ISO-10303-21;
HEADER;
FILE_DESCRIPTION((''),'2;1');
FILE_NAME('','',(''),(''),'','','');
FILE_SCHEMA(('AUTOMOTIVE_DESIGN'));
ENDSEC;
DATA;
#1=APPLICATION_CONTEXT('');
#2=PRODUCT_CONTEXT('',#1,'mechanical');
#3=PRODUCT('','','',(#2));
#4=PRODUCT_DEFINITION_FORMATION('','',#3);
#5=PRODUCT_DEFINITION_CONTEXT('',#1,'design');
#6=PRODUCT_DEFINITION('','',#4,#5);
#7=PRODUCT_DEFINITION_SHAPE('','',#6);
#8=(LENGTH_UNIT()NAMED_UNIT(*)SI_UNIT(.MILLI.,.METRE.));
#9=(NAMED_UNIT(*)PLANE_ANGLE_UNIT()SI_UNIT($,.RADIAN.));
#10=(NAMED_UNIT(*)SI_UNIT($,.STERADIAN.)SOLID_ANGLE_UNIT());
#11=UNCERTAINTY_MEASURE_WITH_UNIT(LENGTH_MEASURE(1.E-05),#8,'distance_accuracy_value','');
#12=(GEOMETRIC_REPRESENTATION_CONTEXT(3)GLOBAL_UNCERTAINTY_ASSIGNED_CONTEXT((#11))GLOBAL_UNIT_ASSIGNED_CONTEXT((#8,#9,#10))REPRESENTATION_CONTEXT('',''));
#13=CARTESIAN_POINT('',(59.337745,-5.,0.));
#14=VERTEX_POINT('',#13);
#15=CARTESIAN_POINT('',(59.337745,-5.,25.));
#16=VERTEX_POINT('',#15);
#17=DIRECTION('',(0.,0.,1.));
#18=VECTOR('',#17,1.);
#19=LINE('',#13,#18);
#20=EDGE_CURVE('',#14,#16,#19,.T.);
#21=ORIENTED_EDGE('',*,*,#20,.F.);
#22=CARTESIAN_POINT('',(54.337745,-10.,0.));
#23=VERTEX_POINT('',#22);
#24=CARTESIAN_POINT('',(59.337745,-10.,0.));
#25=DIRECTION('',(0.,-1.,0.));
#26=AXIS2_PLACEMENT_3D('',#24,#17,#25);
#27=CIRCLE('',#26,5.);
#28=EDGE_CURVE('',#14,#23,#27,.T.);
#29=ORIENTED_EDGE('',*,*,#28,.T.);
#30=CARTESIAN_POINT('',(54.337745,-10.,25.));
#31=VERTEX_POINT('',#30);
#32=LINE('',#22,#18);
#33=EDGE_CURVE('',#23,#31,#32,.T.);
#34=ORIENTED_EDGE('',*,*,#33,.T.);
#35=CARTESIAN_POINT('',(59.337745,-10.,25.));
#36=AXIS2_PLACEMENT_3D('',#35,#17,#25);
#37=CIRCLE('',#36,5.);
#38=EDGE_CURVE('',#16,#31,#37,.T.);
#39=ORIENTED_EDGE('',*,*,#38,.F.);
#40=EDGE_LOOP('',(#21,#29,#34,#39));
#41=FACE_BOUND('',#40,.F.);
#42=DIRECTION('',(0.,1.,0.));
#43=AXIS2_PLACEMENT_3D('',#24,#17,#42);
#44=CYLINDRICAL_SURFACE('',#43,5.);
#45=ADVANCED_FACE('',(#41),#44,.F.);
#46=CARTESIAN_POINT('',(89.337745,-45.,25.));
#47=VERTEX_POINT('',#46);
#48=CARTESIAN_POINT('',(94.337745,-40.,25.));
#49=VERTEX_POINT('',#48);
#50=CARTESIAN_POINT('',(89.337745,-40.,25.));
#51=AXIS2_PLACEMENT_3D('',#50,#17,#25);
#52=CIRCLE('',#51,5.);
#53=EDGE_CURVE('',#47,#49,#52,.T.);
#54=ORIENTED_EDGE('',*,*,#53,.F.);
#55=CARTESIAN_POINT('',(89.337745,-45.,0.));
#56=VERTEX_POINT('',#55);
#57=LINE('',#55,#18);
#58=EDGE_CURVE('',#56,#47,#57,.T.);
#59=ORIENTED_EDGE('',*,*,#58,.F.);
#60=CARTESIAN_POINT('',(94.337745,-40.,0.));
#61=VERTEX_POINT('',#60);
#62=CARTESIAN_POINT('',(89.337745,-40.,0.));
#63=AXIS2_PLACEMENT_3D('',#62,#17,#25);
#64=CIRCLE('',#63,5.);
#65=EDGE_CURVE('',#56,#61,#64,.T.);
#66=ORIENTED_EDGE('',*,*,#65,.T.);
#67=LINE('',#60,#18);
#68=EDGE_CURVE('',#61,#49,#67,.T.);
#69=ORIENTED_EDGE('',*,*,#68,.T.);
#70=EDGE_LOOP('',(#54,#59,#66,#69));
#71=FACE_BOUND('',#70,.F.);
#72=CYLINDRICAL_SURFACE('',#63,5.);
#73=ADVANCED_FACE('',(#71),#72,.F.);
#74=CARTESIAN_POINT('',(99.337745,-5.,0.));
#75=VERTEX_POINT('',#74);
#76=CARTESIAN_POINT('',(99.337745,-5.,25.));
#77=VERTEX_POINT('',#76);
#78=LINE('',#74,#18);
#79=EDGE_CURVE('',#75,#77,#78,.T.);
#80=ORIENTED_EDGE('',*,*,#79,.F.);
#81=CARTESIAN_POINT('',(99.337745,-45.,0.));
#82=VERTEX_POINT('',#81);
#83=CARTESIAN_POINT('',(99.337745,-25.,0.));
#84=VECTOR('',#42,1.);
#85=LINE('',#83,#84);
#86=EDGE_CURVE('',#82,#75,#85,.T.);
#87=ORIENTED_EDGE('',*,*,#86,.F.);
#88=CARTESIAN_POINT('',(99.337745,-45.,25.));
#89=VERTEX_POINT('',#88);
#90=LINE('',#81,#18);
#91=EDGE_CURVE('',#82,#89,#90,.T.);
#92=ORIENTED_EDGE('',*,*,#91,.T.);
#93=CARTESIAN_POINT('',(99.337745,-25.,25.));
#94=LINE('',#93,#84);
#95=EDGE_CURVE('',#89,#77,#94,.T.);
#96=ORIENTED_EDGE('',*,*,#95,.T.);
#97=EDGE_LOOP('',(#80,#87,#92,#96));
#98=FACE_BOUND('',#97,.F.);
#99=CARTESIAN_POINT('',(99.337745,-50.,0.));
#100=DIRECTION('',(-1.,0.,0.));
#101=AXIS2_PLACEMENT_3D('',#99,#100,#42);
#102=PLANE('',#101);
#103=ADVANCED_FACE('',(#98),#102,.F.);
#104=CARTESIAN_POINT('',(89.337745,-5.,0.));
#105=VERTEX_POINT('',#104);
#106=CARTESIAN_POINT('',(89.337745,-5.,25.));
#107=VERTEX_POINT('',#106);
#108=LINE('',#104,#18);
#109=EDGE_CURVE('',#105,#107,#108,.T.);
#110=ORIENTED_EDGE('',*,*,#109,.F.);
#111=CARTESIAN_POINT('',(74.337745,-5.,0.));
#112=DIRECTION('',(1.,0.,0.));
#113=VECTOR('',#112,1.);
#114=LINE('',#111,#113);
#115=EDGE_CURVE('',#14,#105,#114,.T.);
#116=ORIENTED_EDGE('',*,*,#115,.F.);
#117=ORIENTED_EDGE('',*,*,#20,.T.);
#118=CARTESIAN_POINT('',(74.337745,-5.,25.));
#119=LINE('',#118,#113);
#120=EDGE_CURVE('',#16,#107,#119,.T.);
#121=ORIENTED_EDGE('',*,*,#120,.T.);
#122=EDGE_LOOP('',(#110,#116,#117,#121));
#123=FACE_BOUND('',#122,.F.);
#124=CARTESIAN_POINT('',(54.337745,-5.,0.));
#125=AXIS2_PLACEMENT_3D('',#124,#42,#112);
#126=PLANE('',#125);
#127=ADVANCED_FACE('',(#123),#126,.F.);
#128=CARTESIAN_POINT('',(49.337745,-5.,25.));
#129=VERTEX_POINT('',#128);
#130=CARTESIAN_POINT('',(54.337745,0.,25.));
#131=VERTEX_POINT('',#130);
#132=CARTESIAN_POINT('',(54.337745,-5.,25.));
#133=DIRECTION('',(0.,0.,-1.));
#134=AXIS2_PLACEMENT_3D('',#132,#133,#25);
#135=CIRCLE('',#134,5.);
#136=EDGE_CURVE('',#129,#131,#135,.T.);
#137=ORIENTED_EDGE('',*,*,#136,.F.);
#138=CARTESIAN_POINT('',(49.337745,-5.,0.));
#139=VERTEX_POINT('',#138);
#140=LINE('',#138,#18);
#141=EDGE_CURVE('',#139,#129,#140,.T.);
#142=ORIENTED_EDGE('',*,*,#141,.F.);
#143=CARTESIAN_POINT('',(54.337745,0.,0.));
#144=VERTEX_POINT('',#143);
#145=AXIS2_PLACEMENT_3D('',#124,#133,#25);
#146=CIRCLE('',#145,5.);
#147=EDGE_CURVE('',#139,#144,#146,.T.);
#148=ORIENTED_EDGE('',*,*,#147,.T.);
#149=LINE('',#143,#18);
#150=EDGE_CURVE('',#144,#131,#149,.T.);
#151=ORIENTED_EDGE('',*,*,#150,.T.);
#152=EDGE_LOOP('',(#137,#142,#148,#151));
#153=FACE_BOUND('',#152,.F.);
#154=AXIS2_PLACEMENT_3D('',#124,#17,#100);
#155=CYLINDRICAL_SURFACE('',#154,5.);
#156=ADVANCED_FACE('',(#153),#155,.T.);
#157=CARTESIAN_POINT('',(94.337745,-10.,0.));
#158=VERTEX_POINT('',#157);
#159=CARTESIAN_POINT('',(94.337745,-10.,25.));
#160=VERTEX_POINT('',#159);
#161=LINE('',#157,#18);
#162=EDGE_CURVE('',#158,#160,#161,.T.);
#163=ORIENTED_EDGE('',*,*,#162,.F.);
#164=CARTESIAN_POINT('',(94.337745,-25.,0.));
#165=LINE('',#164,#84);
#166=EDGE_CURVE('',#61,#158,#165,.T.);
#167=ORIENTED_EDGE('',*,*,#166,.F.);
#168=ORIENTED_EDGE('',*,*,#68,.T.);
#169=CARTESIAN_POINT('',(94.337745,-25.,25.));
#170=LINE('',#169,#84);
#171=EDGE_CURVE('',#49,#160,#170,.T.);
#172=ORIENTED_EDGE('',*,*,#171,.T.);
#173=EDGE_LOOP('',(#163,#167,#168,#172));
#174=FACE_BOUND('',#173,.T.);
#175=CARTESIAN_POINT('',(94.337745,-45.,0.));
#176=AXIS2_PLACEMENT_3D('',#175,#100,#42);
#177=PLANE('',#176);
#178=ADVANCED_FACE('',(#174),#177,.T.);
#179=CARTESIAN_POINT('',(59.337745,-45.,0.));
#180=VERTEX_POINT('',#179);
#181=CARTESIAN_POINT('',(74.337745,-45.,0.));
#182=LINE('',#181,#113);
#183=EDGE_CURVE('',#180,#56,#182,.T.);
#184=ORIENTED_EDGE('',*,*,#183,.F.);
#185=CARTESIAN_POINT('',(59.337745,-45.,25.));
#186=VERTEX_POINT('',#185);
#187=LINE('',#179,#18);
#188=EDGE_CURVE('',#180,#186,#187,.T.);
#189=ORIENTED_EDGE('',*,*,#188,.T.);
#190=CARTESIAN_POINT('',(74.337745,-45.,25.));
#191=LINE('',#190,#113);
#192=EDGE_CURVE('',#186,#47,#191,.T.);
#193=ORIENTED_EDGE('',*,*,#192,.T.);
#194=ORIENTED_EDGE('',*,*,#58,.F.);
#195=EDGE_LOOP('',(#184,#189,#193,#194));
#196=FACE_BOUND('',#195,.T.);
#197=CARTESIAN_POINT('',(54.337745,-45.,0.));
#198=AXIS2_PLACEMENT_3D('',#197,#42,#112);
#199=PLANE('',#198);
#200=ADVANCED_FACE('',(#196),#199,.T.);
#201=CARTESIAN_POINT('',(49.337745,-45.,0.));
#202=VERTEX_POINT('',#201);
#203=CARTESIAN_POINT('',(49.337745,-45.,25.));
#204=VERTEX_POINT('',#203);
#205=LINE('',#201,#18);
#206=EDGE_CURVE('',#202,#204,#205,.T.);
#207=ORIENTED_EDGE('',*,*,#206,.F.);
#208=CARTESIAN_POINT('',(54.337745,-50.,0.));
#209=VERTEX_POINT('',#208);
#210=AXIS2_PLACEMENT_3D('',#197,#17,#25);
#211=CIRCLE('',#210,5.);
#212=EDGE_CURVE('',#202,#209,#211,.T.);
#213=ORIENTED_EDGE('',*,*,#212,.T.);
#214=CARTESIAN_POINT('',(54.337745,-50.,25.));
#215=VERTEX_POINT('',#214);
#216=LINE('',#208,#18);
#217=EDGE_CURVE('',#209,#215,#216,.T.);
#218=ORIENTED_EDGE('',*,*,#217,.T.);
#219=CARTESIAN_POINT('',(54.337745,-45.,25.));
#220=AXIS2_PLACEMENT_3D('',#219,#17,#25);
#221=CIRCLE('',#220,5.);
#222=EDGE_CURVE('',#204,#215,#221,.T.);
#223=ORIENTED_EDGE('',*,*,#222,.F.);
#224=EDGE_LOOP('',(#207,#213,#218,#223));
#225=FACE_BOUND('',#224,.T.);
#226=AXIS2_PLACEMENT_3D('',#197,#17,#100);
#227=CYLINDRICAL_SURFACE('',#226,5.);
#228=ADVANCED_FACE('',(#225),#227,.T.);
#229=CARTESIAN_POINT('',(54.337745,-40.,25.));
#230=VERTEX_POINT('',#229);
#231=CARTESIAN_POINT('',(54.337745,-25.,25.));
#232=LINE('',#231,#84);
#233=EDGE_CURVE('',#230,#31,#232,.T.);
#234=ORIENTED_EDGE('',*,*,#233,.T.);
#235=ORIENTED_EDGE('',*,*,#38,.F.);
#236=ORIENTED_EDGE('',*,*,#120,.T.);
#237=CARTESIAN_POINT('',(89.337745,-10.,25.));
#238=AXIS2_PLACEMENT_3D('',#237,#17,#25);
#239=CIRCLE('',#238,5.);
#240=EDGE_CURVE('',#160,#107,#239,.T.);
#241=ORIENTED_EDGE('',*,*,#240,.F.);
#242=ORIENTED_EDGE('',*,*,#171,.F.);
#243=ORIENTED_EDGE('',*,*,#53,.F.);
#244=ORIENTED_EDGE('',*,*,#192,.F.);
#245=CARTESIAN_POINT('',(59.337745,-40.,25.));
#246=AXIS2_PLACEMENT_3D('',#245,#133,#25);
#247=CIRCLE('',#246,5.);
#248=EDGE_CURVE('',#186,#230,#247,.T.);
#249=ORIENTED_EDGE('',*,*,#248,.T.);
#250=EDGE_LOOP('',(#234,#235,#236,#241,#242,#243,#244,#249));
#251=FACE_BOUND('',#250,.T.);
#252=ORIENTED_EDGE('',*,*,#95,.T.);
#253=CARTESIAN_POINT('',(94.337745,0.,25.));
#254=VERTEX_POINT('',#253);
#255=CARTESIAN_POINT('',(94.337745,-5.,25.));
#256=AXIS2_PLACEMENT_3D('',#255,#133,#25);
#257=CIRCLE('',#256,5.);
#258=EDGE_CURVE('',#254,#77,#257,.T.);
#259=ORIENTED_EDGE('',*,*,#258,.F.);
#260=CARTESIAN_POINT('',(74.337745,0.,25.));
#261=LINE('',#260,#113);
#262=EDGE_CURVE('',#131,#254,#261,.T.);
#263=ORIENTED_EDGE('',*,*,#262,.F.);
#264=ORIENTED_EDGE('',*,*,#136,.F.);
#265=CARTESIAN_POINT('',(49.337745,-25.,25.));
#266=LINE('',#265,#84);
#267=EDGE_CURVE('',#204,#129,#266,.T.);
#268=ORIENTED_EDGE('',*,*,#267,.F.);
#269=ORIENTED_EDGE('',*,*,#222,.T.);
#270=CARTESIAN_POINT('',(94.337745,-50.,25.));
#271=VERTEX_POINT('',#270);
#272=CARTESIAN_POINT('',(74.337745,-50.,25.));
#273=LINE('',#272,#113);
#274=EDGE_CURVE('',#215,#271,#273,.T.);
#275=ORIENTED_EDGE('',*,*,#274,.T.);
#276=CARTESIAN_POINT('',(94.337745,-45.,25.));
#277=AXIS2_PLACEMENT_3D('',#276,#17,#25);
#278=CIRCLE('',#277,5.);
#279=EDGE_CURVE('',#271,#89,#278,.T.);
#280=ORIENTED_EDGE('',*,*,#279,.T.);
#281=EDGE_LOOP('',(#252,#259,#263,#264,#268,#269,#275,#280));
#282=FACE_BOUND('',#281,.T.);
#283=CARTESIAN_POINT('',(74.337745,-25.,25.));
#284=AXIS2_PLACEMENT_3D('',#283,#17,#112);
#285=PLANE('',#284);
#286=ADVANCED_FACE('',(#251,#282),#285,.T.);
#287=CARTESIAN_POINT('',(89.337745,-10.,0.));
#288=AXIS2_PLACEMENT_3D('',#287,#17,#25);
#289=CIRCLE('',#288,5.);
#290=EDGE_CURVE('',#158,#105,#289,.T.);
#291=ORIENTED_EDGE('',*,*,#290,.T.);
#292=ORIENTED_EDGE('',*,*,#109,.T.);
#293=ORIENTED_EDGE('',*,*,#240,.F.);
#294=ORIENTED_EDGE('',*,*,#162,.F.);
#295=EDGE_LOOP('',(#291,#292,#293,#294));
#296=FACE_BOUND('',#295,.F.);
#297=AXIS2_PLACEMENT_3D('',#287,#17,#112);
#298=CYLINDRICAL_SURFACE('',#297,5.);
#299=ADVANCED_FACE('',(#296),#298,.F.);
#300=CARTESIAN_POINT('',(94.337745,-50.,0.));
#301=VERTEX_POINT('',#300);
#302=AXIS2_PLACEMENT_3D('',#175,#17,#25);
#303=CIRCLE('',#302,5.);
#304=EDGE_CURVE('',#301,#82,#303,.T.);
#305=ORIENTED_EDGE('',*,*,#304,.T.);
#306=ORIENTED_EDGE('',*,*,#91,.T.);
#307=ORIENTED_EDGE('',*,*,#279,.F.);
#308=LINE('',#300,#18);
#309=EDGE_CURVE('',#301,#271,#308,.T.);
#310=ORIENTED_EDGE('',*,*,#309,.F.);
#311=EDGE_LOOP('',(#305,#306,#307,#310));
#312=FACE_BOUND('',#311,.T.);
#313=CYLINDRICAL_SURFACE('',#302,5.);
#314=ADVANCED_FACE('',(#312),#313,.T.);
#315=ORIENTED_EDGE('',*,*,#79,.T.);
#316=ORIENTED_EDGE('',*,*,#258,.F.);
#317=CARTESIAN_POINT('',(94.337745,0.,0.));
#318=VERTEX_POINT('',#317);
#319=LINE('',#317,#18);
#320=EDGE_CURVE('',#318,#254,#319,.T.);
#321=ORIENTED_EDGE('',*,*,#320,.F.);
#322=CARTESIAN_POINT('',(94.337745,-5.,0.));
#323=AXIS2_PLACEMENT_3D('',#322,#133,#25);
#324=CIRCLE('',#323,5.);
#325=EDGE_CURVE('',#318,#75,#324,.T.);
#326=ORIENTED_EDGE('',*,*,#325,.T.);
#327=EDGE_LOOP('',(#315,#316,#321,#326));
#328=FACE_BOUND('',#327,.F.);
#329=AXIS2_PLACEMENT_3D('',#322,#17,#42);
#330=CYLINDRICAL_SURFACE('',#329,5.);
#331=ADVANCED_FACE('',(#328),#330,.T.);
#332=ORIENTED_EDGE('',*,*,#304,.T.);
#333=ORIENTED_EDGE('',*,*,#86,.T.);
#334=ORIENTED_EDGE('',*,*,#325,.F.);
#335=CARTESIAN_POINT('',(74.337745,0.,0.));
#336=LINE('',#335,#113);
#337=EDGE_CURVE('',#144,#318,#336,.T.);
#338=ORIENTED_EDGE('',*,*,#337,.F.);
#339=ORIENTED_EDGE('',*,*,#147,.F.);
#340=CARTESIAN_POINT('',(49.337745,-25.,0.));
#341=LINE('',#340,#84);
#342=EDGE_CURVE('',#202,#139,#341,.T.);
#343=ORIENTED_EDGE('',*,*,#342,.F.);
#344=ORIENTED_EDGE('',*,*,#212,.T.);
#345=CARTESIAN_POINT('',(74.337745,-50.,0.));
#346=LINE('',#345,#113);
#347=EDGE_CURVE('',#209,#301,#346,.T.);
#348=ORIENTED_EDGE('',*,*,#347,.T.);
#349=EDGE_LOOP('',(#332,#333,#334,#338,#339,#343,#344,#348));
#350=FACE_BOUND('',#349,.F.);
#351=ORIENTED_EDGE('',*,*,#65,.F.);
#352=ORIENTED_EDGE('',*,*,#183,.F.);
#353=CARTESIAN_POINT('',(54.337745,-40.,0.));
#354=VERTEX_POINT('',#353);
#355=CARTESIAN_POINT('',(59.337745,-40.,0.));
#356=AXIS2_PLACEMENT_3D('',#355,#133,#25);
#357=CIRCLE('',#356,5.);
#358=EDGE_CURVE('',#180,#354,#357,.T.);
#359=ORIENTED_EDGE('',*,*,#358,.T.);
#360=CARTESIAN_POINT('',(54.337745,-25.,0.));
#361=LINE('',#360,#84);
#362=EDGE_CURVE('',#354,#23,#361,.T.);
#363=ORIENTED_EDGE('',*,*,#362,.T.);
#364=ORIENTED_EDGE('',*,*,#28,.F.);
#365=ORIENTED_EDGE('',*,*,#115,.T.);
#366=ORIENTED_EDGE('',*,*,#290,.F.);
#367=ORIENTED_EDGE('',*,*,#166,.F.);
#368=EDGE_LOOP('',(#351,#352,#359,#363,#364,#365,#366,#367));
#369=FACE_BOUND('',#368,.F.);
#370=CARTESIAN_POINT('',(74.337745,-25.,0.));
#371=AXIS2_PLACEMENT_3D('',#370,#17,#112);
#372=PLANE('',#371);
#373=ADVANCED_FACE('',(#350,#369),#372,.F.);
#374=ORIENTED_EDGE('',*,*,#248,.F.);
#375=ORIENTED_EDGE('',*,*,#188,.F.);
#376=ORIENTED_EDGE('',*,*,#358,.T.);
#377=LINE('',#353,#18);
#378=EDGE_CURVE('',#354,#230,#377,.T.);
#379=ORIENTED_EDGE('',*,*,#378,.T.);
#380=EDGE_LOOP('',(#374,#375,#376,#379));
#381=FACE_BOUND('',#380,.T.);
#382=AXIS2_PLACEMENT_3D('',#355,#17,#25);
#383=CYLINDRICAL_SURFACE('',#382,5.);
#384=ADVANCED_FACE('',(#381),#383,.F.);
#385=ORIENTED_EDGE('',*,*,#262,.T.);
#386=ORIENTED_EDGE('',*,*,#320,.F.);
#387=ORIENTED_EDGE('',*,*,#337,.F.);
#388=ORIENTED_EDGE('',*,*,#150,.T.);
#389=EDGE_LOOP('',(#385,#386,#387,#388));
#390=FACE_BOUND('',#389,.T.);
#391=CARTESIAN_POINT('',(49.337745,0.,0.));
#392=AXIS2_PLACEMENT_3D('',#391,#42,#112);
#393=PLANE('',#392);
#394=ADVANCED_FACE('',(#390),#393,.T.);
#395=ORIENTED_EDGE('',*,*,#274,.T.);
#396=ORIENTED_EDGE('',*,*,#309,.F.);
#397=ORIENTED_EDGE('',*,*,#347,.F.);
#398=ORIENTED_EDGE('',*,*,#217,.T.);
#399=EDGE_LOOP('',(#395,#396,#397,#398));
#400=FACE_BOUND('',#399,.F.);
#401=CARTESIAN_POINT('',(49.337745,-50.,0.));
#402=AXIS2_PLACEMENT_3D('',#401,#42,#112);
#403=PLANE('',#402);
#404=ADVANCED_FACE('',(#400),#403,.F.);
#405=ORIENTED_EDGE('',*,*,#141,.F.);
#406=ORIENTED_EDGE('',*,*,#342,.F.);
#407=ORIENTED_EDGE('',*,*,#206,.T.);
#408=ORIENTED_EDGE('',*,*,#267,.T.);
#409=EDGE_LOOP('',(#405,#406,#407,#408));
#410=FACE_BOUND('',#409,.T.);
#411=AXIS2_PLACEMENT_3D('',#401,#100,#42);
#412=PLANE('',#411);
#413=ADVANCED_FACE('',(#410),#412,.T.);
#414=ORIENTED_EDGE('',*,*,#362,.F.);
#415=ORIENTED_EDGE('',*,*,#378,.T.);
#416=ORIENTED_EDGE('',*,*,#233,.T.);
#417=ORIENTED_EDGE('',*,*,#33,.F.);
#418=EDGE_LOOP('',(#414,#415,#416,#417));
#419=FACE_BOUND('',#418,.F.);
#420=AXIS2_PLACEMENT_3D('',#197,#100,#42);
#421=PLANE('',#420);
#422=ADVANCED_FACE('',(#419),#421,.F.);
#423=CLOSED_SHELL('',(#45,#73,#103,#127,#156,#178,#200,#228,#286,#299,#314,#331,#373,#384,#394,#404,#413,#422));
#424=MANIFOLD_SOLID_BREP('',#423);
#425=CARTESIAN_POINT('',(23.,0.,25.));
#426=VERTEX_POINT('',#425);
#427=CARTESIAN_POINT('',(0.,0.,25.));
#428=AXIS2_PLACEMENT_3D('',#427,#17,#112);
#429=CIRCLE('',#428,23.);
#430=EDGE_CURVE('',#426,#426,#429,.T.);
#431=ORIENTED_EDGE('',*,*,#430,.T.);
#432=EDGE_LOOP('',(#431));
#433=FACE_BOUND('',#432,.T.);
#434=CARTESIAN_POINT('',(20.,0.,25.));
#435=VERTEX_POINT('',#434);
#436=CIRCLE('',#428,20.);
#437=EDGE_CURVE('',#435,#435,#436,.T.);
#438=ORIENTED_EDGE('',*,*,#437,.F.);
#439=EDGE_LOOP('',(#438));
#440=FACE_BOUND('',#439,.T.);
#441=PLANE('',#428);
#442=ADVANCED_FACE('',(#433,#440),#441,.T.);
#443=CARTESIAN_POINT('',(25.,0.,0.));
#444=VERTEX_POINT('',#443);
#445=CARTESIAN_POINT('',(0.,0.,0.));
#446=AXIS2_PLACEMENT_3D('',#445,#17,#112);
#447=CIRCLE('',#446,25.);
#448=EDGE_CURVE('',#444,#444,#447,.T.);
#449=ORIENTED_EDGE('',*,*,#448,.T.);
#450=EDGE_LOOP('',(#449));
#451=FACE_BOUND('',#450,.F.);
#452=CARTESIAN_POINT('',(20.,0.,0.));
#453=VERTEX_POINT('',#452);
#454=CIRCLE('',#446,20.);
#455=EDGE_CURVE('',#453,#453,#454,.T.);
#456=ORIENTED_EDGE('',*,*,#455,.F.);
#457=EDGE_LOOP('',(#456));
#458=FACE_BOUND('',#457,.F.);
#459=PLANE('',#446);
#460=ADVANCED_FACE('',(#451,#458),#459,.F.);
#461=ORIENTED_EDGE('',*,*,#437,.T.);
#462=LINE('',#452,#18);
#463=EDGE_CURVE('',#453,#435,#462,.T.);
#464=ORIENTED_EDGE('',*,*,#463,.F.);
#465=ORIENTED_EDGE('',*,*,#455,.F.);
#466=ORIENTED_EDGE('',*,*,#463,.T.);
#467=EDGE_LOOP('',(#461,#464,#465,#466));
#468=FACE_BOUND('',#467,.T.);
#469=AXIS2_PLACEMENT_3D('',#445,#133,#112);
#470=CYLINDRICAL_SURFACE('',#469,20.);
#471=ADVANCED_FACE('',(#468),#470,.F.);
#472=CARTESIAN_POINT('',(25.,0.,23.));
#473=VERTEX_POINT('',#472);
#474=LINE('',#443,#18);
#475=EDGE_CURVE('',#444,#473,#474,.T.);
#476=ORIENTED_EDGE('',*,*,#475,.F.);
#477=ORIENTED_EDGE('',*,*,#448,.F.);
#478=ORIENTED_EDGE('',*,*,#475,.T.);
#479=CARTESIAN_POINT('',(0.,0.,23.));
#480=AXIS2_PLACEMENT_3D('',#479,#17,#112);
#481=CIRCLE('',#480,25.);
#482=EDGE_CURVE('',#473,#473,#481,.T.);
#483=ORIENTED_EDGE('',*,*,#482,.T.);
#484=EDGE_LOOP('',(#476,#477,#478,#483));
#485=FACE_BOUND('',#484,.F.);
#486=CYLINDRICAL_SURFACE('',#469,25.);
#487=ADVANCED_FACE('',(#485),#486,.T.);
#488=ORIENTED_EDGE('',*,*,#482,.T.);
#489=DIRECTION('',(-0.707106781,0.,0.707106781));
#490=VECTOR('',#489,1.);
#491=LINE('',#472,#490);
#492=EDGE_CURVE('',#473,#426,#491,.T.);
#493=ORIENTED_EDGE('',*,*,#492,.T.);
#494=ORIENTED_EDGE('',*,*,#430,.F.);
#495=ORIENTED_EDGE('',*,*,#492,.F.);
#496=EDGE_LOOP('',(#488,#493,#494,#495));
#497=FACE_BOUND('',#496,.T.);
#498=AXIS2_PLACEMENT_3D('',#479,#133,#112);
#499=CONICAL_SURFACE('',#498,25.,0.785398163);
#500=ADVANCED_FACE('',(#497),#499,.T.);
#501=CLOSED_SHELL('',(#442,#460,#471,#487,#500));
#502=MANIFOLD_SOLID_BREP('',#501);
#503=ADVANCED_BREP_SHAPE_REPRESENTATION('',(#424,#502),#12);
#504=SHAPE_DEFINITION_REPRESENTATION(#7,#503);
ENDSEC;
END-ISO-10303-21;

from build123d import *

# Parameters (mm, degrees)
F0_R     = 25
F0_R_2   = 20
F1_DEPTH = 25
F2_W     = 50
F2_H     = 50
F2_W_2   = 40
F2_H_2   = 40
F3_DEPTH = 25
F4_R     = 5
F5_SIZE  = 2


with BuildPart() as f1:
    # F0 (on Top) → F1 (new body)
    with BuildSketch(Plane.XY):
        Circle(F0_R)
        Circle(F0_R_2, mode=Mode.SUBTRACT)
    extrude(amount=F1_DEPTH)

    # F5
    f5_edges = [f1.edges().sort_by_distance(p)[0] for p in [
        (-25, 0, 25),
    ]]
    chamfer(f5_edges, length=F5_SIZE)


with BuildPart() as f3:
    # F2 (on Top) → F3 (new body)
    with BuildSketch(Plane.XY):
        with Locations((74.337745, -25)):
            Rectangle(F2_W, F2_H)
        with Locations((74.337745, -25)):
            Rectangle(F2_W_2, F2_H_2, mode=Mode.SUBTRACT)
    extrude(amount=F3_DEPTH)

    # F4
    f4_edges = [f3.edges().sort_by_distance(p)[0] for p in [
        (54.337745, -5, 12.5),
        (54.337745, -45, 12.5),
        (94.337745, -5, 12.5),
        (94.337745, -45, 12.5),
        (49.337745, 0, 12.5),
        (99.337745, 0, 12.5),
        (49.337745, -50, 12.5),
        (99.337745, -50, 12.5),
    ]]
    fillet(f4_edges, radius=F4_R)


solid = Compound([f1.part, f3.part])
